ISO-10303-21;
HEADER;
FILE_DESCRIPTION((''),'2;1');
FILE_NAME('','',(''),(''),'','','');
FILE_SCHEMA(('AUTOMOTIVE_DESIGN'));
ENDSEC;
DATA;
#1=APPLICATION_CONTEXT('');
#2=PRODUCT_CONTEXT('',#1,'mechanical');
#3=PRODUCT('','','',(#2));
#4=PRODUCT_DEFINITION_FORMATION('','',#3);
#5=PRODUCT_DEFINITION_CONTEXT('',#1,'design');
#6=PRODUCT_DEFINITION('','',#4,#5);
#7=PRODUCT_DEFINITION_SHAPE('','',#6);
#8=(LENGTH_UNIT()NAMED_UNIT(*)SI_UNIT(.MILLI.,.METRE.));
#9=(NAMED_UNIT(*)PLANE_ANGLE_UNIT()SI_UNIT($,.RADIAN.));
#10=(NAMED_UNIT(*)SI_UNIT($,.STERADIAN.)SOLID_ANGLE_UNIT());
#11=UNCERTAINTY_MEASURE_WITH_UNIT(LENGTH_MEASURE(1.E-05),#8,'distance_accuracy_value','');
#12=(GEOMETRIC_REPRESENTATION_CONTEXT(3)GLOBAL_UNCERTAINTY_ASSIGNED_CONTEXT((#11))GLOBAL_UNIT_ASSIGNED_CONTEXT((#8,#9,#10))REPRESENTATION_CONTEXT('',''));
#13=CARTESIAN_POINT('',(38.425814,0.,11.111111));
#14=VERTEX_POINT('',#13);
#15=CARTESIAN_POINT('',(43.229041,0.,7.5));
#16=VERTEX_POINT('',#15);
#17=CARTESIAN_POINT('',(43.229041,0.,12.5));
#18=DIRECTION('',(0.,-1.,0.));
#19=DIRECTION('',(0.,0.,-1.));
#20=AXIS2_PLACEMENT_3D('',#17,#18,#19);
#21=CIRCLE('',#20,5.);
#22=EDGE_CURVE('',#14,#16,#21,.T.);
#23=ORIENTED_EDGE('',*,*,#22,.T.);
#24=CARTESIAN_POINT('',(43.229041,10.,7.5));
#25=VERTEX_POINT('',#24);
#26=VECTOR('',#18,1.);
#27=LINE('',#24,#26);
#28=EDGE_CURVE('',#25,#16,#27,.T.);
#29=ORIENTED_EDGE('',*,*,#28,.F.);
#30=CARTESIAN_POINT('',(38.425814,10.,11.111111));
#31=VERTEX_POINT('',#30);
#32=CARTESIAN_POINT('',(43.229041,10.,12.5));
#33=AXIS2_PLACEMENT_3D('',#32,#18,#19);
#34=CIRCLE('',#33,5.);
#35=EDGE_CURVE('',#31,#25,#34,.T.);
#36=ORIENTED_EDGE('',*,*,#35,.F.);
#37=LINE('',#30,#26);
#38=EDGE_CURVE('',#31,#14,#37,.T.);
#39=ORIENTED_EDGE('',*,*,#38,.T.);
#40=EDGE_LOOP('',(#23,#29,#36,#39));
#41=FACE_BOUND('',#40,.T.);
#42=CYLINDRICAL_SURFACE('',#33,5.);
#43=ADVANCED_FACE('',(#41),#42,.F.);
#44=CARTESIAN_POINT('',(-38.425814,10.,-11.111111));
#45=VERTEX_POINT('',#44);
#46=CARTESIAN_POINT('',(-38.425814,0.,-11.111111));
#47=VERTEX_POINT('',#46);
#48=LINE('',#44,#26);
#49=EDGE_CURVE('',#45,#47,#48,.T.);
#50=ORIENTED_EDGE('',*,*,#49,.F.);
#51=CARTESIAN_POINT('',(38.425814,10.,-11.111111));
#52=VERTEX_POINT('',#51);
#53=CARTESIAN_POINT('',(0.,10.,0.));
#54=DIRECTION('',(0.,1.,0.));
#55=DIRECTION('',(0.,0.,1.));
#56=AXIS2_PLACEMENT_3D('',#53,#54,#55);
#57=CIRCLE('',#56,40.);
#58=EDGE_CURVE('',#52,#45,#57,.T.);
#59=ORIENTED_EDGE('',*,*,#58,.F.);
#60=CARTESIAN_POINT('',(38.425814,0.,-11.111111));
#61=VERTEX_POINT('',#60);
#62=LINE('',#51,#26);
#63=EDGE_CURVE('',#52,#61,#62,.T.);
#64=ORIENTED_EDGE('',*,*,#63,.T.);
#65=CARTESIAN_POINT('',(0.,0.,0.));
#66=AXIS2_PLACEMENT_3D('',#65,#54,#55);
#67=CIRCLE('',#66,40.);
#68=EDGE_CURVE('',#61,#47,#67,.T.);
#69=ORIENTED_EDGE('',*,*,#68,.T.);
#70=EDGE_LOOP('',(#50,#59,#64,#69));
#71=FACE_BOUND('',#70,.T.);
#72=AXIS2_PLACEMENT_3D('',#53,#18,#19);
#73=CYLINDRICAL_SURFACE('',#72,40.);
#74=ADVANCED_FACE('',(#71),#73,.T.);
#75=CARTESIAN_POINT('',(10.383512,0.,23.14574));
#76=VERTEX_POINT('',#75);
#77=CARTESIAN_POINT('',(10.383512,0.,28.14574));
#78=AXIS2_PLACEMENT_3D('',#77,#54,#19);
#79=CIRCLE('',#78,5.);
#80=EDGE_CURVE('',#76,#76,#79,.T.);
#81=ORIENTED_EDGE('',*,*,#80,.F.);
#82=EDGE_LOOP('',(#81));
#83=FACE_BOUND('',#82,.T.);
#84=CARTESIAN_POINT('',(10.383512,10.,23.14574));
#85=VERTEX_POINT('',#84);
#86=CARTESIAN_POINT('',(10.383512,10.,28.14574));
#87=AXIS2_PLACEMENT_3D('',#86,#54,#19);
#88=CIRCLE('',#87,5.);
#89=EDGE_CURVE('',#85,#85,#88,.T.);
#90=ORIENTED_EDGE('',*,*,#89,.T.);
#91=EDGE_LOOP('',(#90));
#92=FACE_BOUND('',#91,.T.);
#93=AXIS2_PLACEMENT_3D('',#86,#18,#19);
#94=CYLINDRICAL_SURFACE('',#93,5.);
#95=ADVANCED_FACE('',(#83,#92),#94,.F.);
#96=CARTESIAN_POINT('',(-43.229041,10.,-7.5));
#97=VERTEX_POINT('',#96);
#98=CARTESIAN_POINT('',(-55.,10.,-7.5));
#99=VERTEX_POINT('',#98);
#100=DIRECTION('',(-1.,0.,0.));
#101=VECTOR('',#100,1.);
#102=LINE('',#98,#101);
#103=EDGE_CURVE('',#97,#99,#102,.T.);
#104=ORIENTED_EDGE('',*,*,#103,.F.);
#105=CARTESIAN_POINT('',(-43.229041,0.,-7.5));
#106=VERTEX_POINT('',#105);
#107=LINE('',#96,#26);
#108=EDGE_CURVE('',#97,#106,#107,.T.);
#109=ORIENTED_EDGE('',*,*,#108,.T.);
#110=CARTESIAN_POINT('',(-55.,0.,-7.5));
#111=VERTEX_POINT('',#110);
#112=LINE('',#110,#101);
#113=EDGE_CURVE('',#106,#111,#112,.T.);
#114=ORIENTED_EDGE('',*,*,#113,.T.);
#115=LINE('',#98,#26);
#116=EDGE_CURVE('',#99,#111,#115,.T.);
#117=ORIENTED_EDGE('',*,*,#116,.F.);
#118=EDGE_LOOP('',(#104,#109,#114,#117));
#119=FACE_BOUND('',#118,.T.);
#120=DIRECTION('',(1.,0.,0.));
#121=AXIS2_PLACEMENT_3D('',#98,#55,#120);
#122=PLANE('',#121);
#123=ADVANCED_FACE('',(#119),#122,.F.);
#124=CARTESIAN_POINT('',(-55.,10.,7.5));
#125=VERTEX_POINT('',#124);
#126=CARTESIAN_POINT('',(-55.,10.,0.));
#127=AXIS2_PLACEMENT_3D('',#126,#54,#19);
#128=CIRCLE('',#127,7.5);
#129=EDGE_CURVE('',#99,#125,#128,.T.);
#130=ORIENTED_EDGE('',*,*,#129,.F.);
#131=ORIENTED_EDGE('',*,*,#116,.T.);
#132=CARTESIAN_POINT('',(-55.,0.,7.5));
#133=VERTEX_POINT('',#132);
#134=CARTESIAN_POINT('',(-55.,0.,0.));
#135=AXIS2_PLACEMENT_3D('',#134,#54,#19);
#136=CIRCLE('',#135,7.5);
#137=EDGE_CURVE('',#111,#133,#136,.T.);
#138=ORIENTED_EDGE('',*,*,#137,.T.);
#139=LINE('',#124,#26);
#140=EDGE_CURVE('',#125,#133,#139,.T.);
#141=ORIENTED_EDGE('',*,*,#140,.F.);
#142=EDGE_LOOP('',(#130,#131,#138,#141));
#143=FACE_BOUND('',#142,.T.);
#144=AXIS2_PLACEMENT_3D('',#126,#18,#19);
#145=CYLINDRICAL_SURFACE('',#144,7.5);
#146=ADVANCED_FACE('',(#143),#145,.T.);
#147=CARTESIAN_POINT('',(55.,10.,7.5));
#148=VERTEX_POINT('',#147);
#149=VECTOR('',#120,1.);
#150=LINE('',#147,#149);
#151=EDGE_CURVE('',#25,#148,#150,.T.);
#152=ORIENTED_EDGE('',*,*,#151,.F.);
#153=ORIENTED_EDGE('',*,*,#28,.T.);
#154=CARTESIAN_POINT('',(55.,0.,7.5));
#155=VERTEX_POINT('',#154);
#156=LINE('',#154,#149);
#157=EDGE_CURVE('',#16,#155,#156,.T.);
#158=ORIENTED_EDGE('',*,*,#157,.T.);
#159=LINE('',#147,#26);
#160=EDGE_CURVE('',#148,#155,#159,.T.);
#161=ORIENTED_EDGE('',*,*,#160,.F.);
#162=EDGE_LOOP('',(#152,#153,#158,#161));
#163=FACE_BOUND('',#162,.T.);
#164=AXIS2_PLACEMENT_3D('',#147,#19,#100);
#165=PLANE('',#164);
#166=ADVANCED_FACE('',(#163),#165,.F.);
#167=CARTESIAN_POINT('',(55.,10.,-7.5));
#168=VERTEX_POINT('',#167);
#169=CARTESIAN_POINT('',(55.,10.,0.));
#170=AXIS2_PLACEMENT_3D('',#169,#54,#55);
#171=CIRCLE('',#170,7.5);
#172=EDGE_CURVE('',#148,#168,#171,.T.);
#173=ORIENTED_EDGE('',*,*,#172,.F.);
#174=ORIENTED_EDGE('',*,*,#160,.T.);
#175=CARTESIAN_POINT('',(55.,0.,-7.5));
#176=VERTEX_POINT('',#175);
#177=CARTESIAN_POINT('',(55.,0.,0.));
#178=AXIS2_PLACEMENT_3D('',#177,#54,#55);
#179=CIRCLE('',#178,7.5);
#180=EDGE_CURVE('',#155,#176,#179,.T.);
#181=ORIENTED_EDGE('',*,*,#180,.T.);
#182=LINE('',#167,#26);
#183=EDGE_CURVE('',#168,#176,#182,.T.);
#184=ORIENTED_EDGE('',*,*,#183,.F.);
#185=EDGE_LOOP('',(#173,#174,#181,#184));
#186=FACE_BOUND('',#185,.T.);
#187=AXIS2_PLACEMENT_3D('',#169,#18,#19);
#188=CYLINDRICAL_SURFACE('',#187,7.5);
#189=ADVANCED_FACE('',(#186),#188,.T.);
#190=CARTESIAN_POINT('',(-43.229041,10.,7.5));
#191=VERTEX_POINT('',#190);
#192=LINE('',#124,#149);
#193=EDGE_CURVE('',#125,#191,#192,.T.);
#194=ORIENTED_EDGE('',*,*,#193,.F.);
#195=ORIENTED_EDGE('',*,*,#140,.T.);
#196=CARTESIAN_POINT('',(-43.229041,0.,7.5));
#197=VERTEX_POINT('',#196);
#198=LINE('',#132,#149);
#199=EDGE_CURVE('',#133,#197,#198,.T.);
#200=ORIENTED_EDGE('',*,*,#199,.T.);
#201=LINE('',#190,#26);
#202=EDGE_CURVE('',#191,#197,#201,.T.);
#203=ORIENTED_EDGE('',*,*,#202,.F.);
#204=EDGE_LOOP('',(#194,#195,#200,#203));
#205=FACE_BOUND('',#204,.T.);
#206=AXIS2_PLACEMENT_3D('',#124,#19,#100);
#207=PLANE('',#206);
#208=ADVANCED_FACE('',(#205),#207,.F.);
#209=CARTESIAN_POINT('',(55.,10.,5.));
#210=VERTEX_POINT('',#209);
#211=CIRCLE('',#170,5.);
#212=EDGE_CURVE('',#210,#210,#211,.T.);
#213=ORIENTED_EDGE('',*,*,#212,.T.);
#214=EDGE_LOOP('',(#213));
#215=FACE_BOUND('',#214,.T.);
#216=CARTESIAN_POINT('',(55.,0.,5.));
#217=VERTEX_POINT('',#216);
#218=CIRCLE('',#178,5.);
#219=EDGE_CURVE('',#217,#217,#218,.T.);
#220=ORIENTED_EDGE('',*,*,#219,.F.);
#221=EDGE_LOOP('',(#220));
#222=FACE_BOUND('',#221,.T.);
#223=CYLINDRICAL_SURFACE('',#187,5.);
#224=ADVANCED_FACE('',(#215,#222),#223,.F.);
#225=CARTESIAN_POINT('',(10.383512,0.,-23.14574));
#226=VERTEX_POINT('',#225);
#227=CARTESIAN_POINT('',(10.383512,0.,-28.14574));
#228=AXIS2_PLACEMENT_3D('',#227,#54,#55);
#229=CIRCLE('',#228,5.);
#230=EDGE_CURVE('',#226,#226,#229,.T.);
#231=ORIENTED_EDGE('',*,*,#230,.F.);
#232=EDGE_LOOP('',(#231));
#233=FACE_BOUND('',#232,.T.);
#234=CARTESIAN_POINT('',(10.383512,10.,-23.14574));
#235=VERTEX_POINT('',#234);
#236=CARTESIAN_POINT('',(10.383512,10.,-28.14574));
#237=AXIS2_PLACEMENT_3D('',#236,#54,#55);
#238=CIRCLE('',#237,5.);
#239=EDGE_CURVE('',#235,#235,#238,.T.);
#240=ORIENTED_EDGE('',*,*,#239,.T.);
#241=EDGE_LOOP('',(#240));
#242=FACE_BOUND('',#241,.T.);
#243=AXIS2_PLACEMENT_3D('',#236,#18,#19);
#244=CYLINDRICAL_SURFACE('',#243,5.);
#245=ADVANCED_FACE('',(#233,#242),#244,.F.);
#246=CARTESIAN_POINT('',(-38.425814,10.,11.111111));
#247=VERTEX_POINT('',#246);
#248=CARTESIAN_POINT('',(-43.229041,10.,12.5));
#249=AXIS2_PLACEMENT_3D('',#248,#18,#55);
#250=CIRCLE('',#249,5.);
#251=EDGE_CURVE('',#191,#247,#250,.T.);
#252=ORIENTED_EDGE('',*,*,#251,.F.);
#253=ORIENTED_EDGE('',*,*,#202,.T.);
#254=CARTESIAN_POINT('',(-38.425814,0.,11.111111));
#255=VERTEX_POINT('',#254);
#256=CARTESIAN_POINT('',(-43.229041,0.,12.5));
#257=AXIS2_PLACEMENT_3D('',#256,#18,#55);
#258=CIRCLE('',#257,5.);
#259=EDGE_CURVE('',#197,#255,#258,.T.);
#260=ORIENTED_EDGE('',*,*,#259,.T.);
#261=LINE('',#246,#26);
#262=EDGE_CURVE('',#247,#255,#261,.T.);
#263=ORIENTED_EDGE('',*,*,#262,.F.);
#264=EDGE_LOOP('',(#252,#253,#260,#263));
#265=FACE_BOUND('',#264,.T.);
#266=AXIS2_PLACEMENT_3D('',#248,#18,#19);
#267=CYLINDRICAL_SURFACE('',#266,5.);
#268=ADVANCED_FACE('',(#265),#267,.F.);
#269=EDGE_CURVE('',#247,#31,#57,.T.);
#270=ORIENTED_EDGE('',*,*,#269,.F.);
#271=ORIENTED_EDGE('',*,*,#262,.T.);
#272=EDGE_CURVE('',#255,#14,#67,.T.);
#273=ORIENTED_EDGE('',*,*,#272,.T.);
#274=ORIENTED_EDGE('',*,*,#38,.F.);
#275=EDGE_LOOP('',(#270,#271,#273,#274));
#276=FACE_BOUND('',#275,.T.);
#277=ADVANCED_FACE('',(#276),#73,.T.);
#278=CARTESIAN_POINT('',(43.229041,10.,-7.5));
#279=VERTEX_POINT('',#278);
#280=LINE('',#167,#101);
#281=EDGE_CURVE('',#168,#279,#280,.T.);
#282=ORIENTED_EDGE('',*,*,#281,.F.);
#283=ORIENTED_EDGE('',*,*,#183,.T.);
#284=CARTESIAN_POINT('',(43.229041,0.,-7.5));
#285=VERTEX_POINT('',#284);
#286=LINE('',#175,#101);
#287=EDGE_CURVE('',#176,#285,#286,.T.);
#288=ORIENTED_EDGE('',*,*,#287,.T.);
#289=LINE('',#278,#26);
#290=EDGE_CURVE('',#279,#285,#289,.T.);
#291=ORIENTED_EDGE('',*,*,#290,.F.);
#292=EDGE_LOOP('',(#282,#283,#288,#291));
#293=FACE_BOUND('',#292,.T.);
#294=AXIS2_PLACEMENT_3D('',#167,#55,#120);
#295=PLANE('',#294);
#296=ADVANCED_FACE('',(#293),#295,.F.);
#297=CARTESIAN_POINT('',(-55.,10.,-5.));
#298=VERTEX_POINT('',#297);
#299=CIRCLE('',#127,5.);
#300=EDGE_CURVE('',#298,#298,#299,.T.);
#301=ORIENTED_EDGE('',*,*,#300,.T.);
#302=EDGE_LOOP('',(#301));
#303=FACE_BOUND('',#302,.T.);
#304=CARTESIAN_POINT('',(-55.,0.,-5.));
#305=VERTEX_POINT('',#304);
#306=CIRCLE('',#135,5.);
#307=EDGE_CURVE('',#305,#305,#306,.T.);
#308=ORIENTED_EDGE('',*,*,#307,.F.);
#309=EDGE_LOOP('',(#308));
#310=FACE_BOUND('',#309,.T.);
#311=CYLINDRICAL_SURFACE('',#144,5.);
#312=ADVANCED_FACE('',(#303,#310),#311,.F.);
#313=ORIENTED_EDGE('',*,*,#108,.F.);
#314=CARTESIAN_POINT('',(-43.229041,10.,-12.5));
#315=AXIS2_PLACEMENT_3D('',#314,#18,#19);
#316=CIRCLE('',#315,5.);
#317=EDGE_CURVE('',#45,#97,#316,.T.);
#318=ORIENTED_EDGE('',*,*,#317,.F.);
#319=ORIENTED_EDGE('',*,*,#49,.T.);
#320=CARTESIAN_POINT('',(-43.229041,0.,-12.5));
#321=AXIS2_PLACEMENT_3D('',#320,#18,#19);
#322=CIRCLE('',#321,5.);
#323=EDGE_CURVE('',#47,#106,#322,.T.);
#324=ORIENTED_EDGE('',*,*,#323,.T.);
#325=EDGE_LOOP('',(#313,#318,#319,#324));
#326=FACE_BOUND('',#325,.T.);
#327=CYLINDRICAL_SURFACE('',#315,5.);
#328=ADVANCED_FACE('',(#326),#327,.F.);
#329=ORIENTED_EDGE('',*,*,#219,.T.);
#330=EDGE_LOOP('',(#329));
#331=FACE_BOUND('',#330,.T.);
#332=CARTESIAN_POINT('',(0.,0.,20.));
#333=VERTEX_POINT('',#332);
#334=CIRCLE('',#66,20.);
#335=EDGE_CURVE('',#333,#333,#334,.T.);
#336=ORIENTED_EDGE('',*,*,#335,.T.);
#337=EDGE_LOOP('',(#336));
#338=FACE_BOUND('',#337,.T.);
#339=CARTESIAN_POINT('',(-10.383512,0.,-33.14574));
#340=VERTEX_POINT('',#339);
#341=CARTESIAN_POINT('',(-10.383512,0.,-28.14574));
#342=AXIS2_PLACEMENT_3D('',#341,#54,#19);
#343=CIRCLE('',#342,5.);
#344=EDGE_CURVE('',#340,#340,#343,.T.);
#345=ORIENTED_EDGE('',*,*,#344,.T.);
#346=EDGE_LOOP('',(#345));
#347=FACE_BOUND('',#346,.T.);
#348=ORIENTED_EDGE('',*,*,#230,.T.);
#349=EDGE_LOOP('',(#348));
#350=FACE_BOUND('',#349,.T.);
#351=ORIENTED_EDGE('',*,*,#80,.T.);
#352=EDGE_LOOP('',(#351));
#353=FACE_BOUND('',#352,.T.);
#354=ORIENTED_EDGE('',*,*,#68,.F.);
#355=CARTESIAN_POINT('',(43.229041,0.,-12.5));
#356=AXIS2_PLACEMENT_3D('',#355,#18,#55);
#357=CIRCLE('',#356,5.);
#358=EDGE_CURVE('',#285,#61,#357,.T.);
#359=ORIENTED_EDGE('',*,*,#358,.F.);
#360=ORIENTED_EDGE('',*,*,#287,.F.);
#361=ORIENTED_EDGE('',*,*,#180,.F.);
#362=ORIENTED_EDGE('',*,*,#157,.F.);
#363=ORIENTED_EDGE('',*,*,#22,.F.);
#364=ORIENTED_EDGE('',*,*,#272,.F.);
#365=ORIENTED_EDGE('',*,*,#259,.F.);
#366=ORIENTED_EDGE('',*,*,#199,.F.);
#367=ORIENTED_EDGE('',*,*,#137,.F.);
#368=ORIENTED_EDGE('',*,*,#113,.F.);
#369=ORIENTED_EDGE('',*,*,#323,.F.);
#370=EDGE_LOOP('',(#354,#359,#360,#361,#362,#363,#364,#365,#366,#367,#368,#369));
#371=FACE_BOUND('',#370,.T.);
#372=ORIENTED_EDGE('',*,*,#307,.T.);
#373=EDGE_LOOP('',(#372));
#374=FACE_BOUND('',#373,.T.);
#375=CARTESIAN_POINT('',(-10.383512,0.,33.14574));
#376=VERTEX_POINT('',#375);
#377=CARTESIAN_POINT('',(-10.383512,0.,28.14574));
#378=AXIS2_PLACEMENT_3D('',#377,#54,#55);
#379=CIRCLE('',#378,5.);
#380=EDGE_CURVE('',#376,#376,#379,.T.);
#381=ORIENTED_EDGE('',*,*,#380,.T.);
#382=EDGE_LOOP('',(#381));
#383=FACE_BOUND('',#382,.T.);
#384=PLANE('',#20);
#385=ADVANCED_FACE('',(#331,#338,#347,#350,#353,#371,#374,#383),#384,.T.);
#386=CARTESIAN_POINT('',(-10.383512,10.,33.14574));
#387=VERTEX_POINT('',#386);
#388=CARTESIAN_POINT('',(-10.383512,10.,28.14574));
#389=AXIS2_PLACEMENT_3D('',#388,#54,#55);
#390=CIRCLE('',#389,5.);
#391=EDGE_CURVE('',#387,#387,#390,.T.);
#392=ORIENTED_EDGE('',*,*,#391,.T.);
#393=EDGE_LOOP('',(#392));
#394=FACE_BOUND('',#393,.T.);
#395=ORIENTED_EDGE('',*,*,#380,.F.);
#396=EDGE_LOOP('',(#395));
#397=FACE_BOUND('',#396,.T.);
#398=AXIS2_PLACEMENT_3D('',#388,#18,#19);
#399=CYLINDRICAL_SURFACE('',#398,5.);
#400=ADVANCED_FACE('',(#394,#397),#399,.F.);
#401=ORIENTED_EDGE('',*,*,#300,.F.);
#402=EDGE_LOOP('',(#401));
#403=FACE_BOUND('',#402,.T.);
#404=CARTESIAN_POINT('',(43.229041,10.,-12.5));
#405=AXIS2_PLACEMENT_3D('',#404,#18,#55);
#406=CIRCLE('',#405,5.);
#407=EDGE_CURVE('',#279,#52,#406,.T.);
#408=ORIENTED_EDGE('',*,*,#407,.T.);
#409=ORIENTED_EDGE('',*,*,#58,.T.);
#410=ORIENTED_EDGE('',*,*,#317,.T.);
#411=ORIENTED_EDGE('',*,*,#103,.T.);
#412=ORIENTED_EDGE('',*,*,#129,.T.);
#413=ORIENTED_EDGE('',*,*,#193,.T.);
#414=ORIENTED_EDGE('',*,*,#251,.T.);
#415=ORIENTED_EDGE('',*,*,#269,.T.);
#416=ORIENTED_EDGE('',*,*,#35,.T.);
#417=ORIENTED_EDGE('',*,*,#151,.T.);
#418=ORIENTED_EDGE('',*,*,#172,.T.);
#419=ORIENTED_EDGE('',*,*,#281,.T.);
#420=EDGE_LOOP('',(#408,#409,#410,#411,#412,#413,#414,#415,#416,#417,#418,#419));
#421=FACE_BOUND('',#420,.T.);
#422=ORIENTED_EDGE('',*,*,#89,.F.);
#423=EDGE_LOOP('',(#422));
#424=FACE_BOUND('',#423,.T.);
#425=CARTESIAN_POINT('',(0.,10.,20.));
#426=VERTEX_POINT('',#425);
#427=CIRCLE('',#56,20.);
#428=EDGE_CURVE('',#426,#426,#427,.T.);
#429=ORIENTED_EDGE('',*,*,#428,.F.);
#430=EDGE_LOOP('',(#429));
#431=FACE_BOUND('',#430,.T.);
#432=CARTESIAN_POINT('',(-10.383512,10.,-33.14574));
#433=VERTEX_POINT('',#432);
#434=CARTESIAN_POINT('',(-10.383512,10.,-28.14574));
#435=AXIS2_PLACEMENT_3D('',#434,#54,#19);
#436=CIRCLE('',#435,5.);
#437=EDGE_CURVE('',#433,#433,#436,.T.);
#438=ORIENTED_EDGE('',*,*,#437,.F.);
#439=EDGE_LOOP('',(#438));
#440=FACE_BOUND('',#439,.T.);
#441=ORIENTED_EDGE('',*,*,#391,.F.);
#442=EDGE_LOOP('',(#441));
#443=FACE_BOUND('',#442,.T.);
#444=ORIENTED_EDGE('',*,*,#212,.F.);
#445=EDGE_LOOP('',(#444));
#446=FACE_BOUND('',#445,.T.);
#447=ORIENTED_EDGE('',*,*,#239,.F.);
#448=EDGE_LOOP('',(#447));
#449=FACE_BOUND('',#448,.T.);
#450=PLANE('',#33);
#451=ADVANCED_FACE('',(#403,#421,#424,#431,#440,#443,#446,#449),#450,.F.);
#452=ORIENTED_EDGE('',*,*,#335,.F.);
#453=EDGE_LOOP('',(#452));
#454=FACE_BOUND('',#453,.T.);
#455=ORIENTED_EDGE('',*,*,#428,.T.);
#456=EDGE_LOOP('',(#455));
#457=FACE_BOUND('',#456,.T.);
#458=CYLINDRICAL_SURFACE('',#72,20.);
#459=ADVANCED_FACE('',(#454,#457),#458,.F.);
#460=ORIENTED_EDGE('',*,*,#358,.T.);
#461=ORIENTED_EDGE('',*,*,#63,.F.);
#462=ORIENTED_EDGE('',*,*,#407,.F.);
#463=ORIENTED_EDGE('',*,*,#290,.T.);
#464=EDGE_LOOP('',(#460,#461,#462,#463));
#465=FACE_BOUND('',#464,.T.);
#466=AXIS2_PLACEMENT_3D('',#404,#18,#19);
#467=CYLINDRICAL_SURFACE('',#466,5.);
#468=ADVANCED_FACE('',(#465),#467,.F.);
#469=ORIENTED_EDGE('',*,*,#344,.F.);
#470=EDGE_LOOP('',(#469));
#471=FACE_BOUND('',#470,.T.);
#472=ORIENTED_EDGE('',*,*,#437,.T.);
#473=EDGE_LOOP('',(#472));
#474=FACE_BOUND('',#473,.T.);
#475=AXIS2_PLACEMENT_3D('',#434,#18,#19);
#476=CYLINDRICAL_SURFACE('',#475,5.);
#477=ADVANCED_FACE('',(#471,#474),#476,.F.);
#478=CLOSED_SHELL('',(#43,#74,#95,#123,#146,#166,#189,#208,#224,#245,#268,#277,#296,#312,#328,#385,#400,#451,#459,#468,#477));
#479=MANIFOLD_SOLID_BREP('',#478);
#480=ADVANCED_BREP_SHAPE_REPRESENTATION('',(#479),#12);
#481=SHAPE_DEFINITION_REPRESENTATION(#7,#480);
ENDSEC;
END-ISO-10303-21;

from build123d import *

# Parameters (mm, degrees)
SKETCH1_R           = 20
SKETCH1_R_2         = 5
BOSS_EXTRUDE2_DEPTH = 10


with BuildPart() as part:
    # Sketch1 → Boss-Extrude2 (new body)
    with BuildSketch(Plane(origin=(0, 0, 0), x_dir=(1, 0, 0), z_dir=(0, 1, 0))):
        with BuildLine():
            Line((-55, -7.5), (-43.229041164, -7.5))
            ThreePointArc((-43.229041164, -7.5), (-40.224415102, -8.503473731), (-38.425814368, -11.111111111))
            ThreePointArc((-38.425814368, -11.111111111), (0, -40), (38.425814368, -11.111111111))
            ThreePointArc((38.425814368, -11.111111111), (40.224415102, -8.503473731), (43.229041164, -7.5))
            Line((43.229041164, -7.5), (55, -7.5))
            ThreePointArc((55, -7.5), (62.5, 0), (55, 7.5))
            Line((55, 7.5), (43.229041164, 7.5))
            ThreePointArc((43.229041164, 7.5), (40.224415102, 8.503473731), (38.425814368, 11.111111111))
            ThreePointArc((38.425814368, 11.111111111), (0, 40), (-38.425814368, 11.111111111))
            ThreePointArc((-38.425814368, 11.111111111), (-40.224415102, 8.503473731), (-43.229041164, 7.5))
            Line((-43.229041164, 7.5), (-55, 7.5))
            ThreePointArc((-55, 7.5), (-62.5, 0), (-55, -7.5))
        make_face()
        with Locations(Location((0, 0, 0), (0, 0, 270))):
            Circle(SKETCH1_R, mode=Mode.SUBTRACT)
        with Locations(Location((55, 0, 0), (0, 0, 270))):
            Circle(SKETCH1_R_2, mode=Mode.SUBTRACT)
        with Locations(Location((-55, 0, 0), (0, 0, 90))):
            Circle(SKETCH1_R_2, mode=Mode.SUBTRACT)
        with Locations(Location((10.383511712, 28.145740078, 0), (0, 0, 270))):
            Circle(SKETCH1_R_2, mode=Mode.SUBTRACT)
        with Locations(Location((-10.383511712, 28.145740078, 0), (0, 0, 90))):
            Circle(SKETCH1_R_2, mode=Mode.SUBTRACT)
        with Locations(Location((10.383511712, -28.145740078, 0), (0, 0, 90))):
            Circle(SKETCH1_R_2, mode=Mode.SUBTRACT)
        with Locations(Location((-10.383511712, -28.145740078, 0), (0, 0, 270))):
            Circle(SKETCH1_R_2, mode=Mode.SUBTRACT)
    extrude(amount=BOSS_EXTRUDE2_DEPTH)


solid = part.part
